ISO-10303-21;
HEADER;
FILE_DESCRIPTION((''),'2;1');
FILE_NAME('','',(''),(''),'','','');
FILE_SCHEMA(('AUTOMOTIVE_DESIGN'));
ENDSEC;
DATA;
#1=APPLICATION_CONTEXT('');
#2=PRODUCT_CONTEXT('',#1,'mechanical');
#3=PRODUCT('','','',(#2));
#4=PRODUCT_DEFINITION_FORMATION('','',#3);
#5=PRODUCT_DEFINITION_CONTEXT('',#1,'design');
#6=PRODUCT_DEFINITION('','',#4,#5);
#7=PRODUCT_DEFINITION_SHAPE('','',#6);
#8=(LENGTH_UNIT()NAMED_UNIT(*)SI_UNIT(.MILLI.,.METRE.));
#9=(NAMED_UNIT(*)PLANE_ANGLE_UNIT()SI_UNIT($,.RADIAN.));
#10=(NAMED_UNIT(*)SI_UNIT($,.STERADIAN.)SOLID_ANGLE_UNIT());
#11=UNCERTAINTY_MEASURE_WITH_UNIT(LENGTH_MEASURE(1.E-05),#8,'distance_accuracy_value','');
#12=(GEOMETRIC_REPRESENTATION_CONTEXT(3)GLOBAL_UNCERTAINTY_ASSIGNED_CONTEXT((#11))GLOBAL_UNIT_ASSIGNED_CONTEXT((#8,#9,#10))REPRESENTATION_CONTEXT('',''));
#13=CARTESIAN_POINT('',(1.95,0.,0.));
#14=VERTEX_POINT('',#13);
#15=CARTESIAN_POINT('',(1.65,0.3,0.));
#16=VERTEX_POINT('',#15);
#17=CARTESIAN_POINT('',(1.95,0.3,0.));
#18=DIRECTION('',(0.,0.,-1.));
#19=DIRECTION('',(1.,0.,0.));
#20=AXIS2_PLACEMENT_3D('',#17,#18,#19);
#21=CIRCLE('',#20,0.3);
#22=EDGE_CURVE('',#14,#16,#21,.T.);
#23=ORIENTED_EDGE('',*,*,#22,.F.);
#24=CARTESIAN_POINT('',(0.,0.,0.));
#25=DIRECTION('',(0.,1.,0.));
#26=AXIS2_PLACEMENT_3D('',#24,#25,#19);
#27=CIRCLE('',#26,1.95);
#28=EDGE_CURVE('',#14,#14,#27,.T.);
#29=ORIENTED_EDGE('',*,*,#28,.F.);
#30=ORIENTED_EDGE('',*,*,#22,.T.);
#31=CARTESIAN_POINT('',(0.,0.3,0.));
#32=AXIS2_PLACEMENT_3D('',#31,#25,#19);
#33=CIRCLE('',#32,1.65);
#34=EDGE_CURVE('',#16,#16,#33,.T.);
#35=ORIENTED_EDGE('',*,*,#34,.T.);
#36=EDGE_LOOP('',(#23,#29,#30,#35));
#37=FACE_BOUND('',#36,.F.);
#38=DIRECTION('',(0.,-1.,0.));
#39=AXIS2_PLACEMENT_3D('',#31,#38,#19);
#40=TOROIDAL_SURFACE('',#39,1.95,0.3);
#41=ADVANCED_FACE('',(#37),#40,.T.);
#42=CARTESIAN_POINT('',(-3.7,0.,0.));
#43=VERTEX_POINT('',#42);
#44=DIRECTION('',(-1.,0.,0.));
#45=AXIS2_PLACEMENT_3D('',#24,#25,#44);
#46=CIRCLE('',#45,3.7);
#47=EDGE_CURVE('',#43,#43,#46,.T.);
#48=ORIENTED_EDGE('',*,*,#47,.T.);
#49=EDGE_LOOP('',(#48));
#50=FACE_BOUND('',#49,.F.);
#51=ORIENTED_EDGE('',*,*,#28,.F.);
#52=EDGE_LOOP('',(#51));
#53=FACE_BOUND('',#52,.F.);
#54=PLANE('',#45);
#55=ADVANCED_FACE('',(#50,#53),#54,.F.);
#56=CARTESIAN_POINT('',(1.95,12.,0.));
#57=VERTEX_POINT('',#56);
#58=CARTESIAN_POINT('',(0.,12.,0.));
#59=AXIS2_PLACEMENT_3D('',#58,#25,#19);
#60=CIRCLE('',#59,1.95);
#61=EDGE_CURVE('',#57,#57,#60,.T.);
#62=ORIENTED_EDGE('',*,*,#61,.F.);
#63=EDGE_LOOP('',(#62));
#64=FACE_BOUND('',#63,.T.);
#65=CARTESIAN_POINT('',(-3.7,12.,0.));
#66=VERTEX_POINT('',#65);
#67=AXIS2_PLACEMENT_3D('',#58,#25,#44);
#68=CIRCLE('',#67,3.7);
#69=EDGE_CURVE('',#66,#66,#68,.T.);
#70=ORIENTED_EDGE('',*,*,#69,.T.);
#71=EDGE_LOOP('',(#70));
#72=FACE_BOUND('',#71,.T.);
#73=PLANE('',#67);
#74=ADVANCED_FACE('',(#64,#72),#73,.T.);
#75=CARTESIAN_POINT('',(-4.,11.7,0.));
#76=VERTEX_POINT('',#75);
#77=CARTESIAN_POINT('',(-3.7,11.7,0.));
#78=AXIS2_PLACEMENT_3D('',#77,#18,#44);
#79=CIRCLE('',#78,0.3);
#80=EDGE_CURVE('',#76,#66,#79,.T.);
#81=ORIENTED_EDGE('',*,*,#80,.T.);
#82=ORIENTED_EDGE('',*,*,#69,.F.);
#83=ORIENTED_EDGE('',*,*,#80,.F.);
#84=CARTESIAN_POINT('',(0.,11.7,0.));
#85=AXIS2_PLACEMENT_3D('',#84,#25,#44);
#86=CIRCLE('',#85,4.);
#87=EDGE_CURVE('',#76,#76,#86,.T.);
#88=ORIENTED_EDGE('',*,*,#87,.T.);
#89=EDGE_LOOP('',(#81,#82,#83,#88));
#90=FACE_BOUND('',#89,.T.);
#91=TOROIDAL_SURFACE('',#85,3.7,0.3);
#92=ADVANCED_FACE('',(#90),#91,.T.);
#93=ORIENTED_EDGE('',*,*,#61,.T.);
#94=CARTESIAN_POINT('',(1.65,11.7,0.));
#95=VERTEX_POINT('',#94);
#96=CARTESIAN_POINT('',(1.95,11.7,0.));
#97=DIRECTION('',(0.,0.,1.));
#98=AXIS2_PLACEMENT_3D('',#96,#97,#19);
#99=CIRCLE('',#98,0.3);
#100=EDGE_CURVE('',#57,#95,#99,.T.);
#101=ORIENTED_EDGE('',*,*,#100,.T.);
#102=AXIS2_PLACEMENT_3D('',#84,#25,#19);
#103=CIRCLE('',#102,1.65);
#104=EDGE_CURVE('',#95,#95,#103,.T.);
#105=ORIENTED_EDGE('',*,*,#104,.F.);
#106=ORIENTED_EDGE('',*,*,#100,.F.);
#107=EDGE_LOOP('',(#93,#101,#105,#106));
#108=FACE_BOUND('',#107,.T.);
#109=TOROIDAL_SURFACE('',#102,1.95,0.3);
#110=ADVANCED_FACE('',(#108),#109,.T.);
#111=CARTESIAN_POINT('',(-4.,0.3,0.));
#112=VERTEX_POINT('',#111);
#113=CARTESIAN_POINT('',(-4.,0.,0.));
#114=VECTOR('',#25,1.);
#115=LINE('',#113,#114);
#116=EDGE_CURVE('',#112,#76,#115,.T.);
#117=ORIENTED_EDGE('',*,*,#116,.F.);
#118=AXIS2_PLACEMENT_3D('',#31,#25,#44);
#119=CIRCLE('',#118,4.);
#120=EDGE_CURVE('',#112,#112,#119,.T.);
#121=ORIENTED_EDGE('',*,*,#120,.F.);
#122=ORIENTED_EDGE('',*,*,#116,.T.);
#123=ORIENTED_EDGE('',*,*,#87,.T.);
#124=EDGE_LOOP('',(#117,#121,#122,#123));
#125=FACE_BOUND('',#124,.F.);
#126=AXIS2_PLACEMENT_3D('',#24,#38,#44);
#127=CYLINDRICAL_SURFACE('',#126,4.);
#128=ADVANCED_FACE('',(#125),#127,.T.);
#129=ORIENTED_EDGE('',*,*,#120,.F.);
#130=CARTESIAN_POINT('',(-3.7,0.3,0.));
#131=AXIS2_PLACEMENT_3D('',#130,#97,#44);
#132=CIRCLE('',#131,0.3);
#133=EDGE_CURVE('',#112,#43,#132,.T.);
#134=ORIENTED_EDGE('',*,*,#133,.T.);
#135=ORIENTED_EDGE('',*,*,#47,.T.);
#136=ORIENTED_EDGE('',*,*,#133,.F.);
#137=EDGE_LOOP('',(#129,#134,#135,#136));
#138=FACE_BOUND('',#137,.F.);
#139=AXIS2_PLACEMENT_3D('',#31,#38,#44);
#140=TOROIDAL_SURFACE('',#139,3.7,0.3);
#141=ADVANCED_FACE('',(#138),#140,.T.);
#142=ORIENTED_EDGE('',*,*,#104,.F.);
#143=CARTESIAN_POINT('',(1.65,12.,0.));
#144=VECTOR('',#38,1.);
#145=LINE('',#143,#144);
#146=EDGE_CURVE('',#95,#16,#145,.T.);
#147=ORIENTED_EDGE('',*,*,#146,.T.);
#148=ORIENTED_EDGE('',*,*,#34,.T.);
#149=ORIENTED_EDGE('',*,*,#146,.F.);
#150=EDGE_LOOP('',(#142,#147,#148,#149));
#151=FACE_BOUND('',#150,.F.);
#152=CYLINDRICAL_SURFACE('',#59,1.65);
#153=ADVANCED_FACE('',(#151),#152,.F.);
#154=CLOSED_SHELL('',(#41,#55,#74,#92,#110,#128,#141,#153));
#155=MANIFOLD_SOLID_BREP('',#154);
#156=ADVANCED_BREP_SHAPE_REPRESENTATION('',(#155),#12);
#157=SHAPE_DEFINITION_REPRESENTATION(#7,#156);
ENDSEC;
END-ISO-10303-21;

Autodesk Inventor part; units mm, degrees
ref_plane "YZ Plane" through (0, 0, 0) normal (1, 0, 0) x (0, 1, 0)
ref_plane "XZ Plane" through (0, 0, 0) normal (0, 1, 0) x (-1, 0, 0)
ref_plane "XY Plane" through (0, 0, 0) normal (0, 0, 1) x (1, 0, 0)
sketch "スケッチ1" plane through (0, 0, 0) normal (0, 1, 0) x (-1, 0, 0)
  circle A0 centre (0, 0) radius 4
  dimension "d0" = 8
extrude "押し出し1" add sketch "スケッチ1" along normal blind 12
sketch "スケッチ2" plane through (0, 12, 0) normal (0, 1, 0) x (1, 0, 0)
  circle A0 centre (0, 0) radius 1.65
  dimension "d3" = 3.3
extrude "押し出し2" cut sketch "スケッチ2" against normal through all
thread "ねじ1" size "M4x0.7" class "6H" standard "ISO Metric profile" full length
fillet "フィレット1" radius 0.3 4 edges at (-1.65, 12, 0) (4, 12, 0) (-1.65, 0, 0) (4, 0, 0)
properties part number "ARL-412KE"
